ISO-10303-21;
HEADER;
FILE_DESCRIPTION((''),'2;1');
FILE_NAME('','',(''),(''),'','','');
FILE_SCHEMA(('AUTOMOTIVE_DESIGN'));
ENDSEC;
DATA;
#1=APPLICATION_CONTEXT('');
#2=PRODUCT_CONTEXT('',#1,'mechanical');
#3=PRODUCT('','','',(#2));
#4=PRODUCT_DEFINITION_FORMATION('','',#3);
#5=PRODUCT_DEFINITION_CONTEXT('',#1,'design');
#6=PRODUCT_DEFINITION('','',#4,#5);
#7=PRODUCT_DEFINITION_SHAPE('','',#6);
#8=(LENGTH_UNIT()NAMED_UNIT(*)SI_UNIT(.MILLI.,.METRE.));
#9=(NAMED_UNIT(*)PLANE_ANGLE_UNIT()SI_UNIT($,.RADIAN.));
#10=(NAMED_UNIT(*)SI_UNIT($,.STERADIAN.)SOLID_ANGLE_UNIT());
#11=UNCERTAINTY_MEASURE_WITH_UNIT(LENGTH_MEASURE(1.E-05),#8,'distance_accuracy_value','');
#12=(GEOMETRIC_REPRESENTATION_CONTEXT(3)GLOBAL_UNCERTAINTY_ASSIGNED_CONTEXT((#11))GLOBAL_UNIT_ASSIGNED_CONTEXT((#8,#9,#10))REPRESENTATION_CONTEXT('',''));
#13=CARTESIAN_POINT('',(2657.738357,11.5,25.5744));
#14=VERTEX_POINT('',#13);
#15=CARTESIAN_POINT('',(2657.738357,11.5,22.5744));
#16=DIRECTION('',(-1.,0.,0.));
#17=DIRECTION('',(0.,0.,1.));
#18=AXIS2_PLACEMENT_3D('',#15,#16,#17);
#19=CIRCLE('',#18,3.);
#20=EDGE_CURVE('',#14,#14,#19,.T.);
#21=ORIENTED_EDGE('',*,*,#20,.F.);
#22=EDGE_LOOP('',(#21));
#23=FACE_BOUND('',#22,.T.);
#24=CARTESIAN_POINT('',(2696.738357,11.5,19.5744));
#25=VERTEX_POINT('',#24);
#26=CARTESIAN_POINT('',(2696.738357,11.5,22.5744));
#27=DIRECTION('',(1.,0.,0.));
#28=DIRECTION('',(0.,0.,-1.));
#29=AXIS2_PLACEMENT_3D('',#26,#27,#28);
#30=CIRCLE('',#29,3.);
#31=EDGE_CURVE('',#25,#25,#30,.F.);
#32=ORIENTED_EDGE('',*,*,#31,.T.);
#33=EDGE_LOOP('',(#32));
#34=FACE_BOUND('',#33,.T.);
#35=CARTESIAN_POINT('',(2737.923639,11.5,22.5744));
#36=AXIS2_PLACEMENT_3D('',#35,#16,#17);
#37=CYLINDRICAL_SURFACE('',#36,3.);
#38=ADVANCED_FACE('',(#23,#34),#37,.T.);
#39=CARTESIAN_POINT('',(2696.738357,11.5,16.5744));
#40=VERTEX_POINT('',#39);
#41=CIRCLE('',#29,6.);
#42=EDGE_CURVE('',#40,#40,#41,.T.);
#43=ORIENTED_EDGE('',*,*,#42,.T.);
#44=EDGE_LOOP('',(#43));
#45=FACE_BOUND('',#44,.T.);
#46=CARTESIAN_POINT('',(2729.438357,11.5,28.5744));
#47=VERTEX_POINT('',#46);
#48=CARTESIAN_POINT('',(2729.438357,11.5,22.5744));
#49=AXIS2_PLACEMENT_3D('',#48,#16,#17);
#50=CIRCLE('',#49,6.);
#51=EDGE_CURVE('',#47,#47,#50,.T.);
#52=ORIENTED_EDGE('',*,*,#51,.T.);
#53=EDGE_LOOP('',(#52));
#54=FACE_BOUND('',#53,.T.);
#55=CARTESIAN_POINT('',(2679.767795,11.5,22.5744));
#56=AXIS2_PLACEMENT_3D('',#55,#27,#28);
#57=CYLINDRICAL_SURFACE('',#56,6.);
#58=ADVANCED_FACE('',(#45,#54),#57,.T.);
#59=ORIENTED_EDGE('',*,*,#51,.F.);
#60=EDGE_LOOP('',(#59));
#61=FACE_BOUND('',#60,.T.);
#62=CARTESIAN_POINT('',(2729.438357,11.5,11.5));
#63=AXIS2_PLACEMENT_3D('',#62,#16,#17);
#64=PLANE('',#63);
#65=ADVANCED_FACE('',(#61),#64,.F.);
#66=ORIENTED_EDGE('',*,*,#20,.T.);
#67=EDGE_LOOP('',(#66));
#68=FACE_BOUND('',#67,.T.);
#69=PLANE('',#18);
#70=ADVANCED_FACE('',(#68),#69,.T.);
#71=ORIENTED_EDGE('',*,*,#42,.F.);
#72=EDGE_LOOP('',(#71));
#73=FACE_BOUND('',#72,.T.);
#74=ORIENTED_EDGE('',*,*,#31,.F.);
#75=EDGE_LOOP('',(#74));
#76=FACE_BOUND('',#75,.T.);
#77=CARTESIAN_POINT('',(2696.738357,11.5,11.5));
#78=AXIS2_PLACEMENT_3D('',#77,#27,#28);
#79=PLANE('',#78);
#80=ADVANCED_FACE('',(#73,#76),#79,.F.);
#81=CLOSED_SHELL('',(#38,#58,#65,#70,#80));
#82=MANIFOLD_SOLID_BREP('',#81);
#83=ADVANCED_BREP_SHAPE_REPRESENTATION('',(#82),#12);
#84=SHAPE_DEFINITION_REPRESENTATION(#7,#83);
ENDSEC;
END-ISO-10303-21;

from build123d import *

# Parameters (mm, degrees)
SKETCH3_R           = 3
BASE_EXTRUDE_DEPTH  = 71.7
SKETCH4_R           = 6
BOSS_EXTRUDE1_DEPTH = 32.7


with BuildPart() as part:
    # Sketch3 → Base-Extrude (new body)
    with BuildSketch(Plane.ZY.offset(-2657.738357409)):
        with Locations((22.5744, 11.5)):
            Circle(SKETCH3_R)
    extrude(amount=-BASE_EXTRUDE_DEPTH)

    # Sketch4 → Boss-Extrude1 (add)
    with BuildSketch(Plane.ZY.offset(-2729.438357409)):
        with Locations(Location((22.5744, 11.5, 0), (0, 0, 180))):
            Circle(SKETCH4_R)
    extrude(amount=BOSS_EXTRUDE1_DEPTH)


solid = part.part
